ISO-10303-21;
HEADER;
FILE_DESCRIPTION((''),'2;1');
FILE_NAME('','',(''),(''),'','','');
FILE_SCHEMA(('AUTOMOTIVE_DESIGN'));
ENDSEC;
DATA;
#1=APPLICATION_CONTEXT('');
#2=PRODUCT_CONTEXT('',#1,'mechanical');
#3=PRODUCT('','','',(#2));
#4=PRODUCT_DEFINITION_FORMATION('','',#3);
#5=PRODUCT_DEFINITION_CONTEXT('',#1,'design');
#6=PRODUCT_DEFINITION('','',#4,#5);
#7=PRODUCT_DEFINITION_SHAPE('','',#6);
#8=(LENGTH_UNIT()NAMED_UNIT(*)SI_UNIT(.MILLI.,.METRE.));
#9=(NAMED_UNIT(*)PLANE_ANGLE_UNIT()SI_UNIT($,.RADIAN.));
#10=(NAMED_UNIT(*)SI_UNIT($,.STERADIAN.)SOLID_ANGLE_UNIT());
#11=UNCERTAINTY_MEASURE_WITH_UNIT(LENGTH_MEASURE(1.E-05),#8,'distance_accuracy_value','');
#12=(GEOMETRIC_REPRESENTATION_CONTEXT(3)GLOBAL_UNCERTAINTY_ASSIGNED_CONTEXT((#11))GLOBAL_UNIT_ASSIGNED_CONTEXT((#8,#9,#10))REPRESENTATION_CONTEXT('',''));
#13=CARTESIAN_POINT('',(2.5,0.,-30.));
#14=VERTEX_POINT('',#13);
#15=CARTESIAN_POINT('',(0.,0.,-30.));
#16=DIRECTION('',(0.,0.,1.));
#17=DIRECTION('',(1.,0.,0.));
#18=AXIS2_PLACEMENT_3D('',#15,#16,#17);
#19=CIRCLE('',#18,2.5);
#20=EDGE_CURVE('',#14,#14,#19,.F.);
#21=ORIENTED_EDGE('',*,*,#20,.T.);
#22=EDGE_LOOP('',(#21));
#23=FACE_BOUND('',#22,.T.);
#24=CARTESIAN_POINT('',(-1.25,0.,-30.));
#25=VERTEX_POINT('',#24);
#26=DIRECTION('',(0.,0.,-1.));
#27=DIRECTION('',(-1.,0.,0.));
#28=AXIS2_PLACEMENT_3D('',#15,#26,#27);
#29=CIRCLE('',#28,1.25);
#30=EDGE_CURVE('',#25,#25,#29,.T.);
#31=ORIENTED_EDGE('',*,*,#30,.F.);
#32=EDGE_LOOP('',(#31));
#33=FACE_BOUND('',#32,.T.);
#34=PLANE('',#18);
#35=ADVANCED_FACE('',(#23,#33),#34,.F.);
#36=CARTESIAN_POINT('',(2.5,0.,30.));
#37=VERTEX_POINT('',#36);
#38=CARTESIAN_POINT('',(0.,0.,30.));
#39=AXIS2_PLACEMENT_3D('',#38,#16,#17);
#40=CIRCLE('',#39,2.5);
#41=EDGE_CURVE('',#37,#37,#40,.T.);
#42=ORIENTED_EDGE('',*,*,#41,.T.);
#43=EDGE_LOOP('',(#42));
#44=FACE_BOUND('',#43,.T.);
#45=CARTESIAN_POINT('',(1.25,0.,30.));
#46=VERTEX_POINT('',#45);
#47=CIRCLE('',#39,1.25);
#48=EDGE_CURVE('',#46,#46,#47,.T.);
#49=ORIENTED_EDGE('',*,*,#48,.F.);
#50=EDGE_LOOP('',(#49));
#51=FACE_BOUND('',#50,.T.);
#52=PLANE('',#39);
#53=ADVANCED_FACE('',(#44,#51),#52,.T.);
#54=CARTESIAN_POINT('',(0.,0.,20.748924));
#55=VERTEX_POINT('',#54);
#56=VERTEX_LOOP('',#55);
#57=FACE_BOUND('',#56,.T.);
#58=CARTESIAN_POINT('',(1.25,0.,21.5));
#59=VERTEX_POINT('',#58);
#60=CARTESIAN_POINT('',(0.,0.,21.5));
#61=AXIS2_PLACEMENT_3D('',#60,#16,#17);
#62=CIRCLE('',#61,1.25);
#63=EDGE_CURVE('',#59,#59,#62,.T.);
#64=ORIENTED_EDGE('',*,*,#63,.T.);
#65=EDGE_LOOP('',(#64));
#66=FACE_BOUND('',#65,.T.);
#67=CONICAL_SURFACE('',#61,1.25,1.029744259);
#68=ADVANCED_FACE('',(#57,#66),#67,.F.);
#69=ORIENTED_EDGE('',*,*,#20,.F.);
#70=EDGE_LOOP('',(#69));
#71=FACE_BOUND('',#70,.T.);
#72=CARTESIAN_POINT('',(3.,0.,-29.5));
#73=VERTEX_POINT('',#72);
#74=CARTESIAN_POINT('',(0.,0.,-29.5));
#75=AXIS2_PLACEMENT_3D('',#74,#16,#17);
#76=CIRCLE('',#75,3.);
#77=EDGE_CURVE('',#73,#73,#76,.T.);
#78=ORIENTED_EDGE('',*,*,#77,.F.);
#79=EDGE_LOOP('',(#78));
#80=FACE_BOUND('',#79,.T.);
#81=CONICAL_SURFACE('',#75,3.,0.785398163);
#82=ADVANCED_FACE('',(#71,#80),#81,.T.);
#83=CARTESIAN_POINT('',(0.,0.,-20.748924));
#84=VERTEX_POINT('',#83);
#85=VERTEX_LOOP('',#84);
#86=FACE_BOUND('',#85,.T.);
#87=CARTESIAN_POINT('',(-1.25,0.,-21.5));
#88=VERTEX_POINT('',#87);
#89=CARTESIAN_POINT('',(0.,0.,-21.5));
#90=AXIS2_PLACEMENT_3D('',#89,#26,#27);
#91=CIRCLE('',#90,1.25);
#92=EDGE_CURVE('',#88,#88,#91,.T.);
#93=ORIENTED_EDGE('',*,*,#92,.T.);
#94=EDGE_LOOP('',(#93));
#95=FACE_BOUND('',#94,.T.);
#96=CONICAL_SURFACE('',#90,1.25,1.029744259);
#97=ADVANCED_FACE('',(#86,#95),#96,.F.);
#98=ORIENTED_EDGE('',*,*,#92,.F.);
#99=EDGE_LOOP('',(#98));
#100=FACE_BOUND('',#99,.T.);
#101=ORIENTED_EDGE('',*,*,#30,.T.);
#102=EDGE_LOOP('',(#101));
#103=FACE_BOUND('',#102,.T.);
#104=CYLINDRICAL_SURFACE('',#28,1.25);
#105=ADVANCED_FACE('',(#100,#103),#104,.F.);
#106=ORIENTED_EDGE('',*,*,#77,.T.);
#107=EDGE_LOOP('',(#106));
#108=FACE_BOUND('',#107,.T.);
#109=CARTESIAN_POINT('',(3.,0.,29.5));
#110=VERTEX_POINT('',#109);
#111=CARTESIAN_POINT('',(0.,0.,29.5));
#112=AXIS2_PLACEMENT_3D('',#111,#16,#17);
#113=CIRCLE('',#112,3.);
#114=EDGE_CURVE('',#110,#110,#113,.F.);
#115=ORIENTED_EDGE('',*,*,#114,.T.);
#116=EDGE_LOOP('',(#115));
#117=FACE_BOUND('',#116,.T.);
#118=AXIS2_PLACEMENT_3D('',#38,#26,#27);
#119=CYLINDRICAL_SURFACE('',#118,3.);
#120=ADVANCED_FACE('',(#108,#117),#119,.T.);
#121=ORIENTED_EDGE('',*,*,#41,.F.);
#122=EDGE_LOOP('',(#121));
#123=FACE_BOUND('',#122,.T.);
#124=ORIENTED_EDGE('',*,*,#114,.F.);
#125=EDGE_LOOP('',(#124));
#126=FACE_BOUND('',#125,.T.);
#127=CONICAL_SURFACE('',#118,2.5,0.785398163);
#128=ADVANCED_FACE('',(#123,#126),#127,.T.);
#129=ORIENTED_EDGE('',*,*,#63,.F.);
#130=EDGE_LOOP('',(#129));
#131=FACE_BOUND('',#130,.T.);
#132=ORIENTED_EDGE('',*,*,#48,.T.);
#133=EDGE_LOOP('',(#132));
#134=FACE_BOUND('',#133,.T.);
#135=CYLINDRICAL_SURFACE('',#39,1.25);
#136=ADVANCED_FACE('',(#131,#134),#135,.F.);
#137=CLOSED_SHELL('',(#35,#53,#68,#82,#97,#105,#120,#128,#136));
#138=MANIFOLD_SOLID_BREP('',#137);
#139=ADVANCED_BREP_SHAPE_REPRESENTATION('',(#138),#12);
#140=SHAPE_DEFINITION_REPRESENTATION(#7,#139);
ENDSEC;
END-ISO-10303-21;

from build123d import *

# Parameters (mm, degrees)
SKETCH_2_R      = 3
EXTRUDE_1_DEPTH = 30
CHAMFER_1_SIZE  = 0.5


with BuildPart() as part:
    # ｽｹｯﾁ2 → ﾎﾞｽ - 押し出し1 (new, symmetric)
    with BuildSketch(Plane.XY):
        Circle(SKETCH_2_R)
    extrude(amount=EXTRUDE_1_DEPTH, both=True)

    # ｽｹｯﾁ4 → M3 ねじ穴1 (revolve, cut)
    with BuildSketch(Plane(origin=(0, 0, 30), x_dir=(0, -1, 0), z_dir=(1, 0, 0))):
        Polygon((0, 0), (0, 9.251075774), (1.25, 8.5), (1.25, 0), align=None)
    hole_wizard_m3_1 = revolve(axis=Axis((0, 0, 36.35), (0, 0, -1)), mode=Mode.SUBTRACT)

    # ﾐﾗｰ1: M3 ねじ穴1 across plane
    add(hole_wizard_m3_1.mirror(Plane.XY), mode=Mode.SUBTRACT)

    # 面取り1
    chamfer_1_edges = [part.edges().sort_by_distance(p)[0] for p in [
        (-3, 0, -30),
        (-3, 0, 30),
    ]]
    chamfer(chamfer_1_edges, length=CHAMFER_1_SIZE)


solid = part.part
